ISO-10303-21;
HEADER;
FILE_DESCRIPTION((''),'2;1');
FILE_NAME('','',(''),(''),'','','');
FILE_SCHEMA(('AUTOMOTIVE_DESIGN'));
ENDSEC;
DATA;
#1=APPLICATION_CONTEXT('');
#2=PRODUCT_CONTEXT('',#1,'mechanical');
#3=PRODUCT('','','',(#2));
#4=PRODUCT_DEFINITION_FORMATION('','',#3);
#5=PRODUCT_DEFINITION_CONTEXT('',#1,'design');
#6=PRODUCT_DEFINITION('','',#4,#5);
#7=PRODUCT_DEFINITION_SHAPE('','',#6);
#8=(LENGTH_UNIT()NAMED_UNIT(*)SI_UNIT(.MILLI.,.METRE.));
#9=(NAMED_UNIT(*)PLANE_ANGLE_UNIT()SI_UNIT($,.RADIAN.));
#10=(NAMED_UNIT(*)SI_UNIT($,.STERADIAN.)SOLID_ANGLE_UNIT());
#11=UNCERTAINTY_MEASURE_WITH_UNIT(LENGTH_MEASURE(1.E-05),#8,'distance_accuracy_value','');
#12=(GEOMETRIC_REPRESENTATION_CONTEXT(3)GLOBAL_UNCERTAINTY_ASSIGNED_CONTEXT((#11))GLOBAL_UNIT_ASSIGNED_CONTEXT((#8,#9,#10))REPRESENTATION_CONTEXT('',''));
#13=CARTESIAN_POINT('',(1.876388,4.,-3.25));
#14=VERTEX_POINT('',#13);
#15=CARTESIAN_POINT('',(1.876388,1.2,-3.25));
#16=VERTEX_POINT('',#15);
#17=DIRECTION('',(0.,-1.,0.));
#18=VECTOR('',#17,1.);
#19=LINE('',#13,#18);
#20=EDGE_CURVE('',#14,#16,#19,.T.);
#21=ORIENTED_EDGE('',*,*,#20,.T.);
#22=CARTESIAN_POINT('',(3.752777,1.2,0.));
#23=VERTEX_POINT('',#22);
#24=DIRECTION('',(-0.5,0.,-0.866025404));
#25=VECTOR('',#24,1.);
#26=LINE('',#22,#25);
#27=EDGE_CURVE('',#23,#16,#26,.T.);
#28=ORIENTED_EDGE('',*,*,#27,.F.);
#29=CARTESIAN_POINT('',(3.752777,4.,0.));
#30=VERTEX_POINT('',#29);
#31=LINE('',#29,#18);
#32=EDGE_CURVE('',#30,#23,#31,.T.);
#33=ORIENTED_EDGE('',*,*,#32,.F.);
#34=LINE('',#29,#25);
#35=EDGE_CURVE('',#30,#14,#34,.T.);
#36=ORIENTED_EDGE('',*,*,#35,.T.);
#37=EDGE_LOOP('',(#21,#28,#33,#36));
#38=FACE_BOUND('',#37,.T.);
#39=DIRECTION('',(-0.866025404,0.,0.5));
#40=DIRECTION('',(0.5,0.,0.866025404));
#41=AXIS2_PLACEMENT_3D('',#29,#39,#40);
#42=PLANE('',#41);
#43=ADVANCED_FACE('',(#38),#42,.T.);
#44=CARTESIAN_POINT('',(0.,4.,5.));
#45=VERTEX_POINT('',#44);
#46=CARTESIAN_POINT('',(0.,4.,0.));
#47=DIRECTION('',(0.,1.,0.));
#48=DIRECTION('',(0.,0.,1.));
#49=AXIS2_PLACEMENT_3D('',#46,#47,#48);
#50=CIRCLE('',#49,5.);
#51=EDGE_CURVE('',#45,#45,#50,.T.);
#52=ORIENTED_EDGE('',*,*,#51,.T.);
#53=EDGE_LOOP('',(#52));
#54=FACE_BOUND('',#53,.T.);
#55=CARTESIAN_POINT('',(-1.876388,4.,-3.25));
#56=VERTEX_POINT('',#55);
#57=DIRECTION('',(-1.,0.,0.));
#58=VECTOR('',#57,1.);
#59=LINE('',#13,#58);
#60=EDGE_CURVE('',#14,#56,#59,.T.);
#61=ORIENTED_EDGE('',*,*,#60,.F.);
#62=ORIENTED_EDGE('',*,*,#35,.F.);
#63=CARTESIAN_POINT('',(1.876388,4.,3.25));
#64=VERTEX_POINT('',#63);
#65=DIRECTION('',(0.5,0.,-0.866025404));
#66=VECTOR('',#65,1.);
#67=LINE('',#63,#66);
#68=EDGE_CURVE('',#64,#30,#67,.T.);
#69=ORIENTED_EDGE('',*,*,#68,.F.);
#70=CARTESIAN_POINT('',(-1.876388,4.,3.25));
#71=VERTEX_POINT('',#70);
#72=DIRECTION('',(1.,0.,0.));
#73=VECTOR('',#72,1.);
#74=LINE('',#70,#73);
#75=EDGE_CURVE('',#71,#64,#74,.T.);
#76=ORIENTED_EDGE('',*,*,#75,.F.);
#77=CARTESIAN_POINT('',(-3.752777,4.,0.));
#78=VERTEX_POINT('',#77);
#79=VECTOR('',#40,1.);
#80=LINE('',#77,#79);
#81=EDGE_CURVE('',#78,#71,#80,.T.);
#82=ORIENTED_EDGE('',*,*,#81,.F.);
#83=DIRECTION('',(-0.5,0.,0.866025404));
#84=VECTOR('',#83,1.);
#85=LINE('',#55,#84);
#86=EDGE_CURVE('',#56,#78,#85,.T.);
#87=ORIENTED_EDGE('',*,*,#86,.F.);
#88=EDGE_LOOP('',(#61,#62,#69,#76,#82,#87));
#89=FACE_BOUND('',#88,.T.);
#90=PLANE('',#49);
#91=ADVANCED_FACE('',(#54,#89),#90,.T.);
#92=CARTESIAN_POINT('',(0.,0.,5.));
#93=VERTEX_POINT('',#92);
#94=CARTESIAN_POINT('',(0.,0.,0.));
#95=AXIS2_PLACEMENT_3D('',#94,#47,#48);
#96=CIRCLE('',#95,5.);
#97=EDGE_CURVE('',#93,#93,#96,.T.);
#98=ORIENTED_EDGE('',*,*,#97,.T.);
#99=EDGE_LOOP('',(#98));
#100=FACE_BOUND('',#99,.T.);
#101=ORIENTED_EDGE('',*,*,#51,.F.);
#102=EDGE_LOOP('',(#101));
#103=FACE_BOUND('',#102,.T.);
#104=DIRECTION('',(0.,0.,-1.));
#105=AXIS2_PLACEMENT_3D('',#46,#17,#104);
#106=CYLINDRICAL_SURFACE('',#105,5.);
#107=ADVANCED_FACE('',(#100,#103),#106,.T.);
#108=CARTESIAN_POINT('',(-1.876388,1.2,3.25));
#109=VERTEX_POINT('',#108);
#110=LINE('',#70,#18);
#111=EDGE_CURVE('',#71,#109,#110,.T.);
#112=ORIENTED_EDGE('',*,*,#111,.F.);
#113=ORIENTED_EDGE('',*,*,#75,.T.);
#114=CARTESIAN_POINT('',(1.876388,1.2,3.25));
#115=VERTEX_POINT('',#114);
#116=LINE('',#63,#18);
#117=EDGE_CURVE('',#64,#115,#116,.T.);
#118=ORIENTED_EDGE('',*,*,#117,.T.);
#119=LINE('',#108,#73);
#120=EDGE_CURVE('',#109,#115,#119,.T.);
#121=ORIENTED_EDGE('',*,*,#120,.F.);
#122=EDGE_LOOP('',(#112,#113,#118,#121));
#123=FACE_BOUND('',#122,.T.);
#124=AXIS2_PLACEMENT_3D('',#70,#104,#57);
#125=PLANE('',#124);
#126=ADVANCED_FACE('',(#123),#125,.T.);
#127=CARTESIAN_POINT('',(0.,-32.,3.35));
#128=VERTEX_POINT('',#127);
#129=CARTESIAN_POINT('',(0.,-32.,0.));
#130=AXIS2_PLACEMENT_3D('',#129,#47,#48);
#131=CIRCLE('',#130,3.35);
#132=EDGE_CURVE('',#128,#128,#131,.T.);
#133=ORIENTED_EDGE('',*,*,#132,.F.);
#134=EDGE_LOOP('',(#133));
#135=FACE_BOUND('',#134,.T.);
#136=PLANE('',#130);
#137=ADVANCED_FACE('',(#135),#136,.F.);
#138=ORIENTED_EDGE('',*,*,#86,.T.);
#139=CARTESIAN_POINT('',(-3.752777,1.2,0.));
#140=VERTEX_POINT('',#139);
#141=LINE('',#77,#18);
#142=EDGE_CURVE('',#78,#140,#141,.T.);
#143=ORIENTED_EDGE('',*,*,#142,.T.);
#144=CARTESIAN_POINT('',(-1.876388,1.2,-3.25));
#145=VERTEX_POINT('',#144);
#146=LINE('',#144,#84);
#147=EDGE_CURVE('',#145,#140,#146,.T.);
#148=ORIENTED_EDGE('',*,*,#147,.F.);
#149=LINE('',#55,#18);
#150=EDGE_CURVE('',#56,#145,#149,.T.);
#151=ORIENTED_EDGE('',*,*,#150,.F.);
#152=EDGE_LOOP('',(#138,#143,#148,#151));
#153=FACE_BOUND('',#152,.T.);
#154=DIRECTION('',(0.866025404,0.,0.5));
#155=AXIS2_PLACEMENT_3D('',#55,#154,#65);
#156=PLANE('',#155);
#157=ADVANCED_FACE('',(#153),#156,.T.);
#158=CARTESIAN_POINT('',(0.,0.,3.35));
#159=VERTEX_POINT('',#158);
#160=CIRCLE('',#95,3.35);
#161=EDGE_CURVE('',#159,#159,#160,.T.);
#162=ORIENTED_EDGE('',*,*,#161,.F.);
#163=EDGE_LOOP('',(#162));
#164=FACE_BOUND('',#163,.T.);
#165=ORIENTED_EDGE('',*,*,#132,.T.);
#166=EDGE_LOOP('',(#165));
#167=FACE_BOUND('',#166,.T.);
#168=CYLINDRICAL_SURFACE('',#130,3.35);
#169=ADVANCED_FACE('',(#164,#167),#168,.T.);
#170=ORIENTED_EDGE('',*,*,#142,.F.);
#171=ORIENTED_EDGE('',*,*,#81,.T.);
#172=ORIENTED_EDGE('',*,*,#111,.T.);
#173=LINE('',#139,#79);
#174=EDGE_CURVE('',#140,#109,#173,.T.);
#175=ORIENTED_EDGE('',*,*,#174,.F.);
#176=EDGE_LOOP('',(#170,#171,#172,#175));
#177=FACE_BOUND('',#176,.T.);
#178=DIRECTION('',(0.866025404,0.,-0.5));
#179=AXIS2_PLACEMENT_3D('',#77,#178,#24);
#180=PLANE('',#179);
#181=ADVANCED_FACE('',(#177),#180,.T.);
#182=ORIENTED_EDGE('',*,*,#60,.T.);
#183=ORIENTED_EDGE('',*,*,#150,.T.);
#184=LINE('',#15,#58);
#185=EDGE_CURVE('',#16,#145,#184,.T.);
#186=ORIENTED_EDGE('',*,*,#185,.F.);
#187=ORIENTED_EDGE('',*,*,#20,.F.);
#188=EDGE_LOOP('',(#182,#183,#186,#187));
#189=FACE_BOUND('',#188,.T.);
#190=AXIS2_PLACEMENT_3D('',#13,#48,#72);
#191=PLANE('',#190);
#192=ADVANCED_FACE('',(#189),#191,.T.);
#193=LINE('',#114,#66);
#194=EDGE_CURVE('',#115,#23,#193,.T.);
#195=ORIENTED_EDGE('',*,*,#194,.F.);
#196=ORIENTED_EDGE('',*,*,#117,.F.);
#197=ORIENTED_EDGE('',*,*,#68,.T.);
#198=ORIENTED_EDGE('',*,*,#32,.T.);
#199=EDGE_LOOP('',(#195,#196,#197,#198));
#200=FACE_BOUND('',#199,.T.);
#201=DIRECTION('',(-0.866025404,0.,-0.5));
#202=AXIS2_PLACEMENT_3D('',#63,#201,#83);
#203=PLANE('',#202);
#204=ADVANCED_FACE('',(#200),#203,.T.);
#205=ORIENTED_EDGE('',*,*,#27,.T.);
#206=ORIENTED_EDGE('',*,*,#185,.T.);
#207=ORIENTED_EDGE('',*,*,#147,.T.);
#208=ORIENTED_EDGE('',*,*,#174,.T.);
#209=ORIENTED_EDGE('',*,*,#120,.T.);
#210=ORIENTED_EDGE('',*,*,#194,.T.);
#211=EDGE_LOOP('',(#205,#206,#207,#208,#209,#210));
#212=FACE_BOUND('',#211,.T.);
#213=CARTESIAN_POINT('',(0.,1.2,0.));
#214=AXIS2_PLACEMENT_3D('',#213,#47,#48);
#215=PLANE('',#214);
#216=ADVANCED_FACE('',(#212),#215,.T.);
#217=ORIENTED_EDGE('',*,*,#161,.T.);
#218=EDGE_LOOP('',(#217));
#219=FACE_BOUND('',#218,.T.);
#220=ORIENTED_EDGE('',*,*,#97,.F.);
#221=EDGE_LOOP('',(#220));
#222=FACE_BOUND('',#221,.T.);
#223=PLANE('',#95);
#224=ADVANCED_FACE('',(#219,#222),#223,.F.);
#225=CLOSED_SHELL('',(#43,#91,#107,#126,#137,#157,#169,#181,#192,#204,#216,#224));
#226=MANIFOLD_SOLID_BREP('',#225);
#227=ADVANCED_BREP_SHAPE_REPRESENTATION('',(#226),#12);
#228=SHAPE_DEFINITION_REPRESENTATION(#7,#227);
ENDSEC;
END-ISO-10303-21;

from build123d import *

# Parameters (mm, degrees)
CROQUIS1_R                 = 5
SALIENTE_EXTRUIR1_DEPTH    = 4
CROQUIS2_R                 = 3.35
SALIENTE_EXTRUIR2_DEPTH    = 32
CORTAR_EXTRUIR1_DEPTH      = 1.3
CORTAR_EXTRUIR1_DEPTH_BACK = 2.5


with BuildPart() as part:
    # Croquis1 → Saliente-Extruir1 (new body)
    with BuildSketch(Plane(origin=(0, 0, 0), x_dir=(1, 0, 0), z_dir=(0, 1, 0))):
        Circle(CROQUIS1_R)
    extrude(amount=SALIENTE_EXTRUIR1_DEPTH)

    # Croquis2 → Saliente-Extruir2 (add)
    with BuildSketch(Plane(origin=(0, 0, 0), x_dir=(1, 0, 0), z_dir=(0, 1, 0))):
        Circle(CROQUIS2_R)
    extrude(amount=-SALIENTE_EXTRUIR2_DEPTH)

    # Croquis4 → Cortar-Extruir1 (cut, two sides)
    with BuildSketch(Plane(origin=(0, 3.7, 0), x_dir=(1, 0, 0), z_dir=(0, 1, 0))) as cortar_extruir1_sk:
        Polygon((3.75277675, 0), (1.876388375, 3.25), (-1.876388375, 3.25), (-3.75277675, 0), (-1.876388375, -3.25), (1.876388375, -3.25), align=None)
    extrude(amount=CORTAR_EXTRUIR1_DEPTH, mode=Mode.SUBTRACT)
    extrude(cortar_extruir1_sk.sketch, amount=-CORTAR_EXTRUIR1_DEPTH_BACK, mode=Mode.SUBTRACT)


solid = part.part
